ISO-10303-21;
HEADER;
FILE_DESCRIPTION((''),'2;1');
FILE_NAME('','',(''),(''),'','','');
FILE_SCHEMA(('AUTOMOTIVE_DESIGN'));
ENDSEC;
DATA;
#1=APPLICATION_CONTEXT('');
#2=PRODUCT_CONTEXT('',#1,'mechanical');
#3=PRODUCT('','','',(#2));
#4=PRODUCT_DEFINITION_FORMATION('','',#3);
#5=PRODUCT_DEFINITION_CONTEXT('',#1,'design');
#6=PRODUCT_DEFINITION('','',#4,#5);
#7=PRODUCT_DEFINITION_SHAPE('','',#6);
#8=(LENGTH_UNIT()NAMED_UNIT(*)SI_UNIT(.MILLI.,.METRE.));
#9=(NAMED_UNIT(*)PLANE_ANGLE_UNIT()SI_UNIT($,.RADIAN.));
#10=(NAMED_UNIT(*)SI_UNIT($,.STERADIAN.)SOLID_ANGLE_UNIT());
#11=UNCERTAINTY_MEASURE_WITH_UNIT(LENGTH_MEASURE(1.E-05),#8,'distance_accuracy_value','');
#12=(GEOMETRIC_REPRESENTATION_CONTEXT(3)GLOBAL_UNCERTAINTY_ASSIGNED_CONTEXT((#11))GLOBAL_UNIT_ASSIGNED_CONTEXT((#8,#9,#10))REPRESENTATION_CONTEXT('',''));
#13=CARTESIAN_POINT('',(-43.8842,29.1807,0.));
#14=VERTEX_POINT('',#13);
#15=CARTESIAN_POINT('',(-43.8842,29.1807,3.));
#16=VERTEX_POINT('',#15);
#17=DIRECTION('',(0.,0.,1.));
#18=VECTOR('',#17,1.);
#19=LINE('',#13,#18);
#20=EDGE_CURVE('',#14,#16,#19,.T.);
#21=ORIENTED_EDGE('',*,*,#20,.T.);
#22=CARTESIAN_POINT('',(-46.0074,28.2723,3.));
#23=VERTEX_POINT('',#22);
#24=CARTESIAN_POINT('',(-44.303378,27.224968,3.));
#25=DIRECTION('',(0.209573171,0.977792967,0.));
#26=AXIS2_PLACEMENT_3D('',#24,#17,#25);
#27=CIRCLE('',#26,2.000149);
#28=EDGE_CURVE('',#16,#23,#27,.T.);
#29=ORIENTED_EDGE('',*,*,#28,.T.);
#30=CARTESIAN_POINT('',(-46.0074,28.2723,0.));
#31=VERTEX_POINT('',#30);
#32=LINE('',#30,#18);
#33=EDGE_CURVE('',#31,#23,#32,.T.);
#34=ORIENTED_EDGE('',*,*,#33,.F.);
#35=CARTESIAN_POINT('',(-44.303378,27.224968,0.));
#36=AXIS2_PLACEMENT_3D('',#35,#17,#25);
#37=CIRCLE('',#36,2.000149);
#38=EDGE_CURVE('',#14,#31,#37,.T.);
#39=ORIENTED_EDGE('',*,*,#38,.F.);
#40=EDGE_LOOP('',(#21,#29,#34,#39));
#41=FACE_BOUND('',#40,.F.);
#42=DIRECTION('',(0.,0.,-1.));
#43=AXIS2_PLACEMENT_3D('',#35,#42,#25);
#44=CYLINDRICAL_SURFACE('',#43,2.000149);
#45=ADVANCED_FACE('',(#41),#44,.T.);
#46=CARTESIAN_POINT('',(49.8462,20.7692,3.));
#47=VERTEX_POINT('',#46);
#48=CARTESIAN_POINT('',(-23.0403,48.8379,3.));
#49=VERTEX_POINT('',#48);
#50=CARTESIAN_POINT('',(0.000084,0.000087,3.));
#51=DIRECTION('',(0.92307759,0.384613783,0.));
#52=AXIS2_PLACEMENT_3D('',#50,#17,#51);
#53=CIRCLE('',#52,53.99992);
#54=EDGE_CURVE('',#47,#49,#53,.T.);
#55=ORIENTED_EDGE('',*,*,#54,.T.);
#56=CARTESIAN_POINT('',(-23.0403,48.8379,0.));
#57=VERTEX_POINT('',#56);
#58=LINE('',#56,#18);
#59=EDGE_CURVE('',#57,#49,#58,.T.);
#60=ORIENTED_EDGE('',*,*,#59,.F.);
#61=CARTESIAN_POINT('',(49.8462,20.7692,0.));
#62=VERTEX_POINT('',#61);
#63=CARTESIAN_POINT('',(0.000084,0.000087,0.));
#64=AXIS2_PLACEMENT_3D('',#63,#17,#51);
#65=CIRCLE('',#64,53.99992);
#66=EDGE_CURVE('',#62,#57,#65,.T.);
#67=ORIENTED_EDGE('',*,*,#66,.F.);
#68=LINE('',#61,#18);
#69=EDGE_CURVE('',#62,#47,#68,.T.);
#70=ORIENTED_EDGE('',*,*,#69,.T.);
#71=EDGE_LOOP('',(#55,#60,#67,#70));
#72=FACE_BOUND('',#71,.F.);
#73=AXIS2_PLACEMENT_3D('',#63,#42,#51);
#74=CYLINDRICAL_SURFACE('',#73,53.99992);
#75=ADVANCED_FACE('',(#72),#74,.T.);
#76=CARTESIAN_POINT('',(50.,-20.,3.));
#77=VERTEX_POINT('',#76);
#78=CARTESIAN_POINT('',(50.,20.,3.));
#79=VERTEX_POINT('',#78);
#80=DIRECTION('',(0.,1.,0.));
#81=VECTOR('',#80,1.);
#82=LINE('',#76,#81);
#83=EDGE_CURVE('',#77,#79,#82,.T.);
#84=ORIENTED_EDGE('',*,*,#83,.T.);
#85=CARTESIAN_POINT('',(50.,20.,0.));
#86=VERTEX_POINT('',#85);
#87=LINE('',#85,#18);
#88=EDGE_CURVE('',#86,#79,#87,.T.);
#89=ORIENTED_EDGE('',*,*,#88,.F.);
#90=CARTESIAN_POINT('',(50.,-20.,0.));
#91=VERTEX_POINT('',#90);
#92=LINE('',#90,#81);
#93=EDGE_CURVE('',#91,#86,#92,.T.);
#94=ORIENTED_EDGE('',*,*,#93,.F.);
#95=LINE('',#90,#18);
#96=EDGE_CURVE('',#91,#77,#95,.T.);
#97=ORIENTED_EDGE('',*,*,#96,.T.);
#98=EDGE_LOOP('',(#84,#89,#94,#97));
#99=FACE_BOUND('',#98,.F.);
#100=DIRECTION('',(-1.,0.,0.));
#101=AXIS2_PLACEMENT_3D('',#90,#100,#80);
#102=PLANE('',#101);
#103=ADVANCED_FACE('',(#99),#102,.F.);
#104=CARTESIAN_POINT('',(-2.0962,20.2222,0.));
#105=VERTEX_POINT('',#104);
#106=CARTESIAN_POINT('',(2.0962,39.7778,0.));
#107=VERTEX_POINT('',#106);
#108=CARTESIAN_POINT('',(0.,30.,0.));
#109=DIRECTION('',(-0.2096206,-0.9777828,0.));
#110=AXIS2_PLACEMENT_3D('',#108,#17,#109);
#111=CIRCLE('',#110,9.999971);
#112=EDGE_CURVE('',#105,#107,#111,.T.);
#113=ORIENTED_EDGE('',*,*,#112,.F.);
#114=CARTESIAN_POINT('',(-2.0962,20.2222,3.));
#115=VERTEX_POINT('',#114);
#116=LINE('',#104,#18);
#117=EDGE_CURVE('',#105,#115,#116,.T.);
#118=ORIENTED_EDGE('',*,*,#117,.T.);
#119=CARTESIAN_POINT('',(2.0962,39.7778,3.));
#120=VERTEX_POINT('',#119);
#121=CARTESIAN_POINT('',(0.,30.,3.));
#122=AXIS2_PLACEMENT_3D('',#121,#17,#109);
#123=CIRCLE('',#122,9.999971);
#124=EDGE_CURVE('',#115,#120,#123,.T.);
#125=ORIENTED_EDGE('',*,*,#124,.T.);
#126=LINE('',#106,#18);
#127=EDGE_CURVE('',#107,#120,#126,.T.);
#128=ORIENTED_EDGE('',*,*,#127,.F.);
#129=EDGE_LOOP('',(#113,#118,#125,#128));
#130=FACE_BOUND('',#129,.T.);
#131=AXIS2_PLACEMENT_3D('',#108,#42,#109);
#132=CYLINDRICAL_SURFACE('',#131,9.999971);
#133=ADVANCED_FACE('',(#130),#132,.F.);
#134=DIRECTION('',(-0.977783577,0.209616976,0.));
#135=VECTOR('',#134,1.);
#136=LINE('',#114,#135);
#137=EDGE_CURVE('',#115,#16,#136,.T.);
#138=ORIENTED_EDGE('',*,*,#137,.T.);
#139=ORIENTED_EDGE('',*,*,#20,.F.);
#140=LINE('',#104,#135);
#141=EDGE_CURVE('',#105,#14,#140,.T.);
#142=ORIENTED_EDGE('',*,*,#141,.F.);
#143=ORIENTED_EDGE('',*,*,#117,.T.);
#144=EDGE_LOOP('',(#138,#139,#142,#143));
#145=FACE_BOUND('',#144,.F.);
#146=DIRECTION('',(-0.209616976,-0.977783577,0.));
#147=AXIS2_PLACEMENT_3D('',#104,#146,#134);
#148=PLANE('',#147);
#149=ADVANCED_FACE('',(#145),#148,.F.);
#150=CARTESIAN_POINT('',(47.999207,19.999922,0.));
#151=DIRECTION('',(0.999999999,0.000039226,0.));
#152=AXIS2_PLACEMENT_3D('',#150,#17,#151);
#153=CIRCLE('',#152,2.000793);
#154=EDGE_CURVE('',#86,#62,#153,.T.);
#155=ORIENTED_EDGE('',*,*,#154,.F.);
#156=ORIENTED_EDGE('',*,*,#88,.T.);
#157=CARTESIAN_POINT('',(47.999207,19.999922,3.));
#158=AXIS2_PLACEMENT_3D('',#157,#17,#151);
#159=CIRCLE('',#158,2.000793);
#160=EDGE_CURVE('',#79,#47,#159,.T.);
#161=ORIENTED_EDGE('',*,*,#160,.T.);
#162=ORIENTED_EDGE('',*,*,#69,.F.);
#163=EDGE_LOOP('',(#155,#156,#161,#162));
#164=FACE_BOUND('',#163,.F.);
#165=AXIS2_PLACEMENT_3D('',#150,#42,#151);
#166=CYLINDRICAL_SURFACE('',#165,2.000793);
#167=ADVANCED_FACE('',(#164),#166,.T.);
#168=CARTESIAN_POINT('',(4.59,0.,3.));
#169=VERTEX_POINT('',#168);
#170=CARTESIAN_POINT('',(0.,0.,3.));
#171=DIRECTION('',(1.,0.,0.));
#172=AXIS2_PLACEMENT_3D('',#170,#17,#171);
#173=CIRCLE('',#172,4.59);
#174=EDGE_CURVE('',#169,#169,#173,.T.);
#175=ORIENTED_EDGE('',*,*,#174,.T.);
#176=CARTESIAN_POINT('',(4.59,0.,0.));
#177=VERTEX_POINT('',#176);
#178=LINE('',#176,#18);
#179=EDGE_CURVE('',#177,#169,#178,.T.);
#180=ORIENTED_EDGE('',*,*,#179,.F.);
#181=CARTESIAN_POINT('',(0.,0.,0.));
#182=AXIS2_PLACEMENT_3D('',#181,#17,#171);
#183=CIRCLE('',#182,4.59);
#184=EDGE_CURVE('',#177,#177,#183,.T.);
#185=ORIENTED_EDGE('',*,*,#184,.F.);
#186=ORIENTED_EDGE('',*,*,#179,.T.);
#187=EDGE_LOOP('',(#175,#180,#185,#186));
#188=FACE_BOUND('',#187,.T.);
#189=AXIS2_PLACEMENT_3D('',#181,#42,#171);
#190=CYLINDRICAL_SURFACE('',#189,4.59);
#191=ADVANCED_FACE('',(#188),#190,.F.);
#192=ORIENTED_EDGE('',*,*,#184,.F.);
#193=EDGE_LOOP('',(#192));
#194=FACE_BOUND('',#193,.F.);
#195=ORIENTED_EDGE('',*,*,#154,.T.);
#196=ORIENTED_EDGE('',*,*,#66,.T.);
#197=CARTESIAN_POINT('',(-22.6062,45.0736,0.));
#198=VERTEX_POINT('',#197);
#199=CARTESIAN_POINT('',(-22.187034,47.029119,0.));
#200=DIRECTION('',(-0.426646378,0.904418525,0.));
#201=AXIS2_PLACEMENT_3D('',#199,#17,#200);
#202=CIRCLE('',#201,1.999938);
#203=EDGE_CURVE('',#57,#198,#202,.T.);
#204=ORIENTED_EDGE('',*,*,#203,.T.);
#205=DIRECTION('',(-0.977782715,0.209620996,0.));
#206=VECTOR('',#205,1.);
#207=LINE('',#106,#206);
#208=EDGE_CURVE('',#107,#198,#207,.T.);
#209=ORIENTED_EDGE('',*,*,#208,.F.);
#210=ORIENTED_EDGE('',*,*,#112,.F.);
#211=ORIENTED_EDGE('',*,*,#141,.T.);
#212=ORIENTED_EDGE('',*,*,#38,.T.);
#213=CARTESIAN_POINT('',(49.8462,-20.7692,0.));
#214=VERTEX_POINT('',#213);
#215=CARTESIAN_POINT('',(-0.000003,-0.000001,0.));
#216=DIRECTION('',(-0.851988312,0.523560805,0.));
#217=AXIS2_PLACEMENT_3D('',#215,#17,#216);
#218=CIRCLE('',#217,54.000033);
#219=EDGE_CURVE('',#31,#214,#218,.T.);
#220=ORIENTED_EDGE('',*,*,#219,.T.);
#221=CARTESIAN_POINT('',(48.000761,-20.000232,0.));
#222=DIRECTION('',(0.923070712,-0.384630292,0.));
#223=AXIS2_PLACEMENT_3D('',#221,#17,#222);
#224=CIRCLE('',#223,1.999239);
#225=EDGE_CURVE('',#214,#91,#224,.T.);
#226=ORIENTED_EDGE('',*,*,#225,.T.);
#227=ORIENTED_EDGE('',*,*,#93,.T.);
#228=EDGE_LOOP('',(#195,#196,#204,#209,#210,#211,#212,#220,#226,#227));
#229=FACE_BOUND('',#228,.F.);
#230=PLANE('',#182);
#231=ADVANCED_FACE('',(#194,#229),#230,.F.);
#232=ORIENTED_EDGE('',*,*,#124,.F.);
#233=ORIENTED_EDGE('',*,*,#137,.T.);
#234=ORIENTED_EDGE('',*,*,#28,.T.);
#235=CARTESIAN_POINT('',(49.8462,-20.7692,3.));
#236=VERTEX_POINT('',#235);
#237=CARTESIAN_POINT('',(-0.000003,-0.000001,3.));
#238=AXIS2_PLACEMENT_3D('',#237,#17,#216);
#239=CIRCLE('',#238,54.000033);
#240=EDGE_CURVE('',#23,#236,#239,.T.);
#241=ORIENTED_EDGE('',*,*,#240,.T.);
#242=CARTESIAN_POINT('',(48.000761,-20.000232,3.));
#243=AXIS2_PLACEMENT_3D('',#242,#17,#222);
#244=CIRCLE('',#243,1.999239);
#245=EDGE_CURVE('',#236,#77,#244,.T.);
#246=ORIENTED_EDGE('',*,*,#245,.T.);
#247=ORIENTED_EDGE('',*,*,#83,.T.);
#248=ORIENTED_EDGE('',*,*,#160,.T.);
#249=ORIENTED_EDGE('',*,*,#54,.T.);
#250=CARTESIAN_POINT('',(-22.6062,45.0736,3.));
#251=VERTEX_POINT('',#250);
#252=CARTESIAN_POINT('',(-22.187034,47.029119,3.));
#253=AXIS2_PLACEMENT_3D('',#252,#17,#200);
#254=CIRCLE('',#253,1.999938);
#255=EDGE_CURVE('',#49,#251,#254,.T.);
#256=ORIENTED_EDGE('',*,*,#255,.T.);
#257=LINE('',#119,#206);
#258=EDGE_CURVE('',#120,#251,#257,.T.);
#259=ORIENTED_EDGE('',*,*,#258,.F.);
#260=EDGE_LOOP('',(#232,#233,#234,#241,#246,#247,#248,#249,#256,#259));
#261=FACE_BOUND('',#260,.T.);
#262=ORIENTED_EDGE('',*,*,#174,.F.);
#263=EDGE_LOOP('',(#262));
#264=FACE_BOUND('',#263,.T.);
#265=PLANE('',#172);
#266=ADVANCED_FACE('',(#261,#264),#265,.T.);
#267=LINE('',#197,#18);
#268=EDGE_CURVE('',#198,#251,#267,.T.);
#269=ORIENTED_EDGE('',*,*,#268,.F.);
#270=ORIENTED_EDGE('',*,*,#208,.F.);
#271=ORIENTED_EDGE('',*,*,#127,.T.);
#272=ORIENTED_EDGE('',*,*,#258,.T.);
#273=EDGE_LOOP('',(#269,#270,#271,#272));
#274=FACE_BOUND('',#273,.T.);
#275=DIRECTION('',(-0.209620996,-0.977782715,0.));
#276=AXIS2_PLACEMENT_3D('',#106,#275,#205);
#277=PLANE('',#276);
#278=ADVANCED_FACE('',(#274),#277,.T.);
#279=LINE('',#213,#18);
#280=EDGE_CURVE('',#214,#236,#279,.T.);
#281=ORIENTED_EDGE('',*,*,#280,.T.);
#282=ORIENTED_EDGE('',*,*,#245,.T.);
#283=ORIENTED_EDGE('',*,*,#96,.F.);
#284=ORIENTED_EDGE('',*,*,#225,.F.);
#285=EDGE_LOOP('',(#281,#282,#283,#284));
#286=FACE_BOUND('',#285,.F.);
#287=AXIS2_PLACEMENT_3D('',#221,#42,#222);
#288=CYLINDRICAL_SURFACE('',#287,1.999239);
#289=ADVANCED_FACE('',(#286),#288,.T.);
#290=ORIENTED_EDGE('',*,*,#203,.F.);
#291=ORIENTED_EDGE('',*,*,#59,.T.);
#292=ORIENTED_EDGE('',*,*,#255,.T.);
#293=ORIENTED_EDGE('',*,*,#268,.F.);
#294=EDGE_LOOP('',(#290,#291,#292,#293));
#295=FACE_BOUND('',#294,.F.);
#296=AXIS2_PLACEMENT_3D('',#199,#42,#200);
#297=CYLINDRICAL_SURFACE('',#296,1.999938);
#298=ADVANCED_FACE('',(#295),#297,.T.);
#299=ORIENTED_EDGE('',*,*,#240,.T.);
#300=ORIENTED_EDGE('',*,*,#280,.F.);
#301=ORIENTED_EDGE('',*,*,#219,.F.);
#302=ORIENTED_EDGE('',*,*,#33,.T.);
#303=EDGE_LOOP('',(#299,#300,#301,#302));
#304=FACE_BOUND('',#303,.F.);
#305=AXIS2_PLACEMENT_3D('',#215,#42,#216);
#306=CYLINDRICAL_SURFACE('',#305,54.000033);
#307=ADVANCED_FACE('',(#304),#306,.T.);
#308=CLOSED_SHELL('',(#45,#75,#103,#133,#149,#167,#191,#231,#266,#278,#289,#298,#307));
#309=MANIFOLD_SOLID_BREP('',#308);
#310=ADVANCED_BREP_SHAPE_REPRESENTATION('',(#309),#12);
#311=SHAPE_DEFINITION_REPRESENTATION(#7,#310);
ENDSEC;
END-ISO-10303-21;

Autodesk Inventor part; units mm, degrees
ref_plane "YZ Plane" through (0, 0, 0) normal (1, 0, 0) x (0, 1, 0)
ref_plane "XZ Plane" through (0, 0, 0) normal (0, 1, 0) x (-1, 0, 0)
ref_plane "XY Plane" through (0, 0, 0) normal (0, 0, 1) x (1, 0, 0)
sketch "Sketch1" plane through (0, 0, 0) normal (0, 0, 1) x (1, 0, 0)
  circle A0 centre (0, 0) radius 4.59
  arc A1 (-2.0962, 20.2222) -> (2.0962, 39.7778) centre (0, 30) ccw
  line L0 (2.0962, 39.7778) -> (-22.6062, 45.0736)
  line L1 (-2.0962, 20.2222) -> (-43.8842, 29.1807)
  line L2 (50, -20) -> (50, 20)
  arc A2 (-46.0074, 28.2723) -> (49.8462, -20.7692) centre (0, 0) ccw
  arc A3 (49.8462, 20.7692) -> (-23.0403, 48.8379) centre (0, 0) ccw
  arc A4 (-43.8842, 29.1807) -> (-46.0074, 28.2723) centre (-44.3034, 27.2252) ccw
  arc A5 (-23.0403, 48.8379) -> (-22.6062, 45.0736) centre (-22.187, 47.0291) ccw
  arc A6 (50, 20) -> (49.8462, 20.7692) centre (48, 20) ccw
  arc A7 (49.8462, -20.7692) -> (50, -20) centre (48, -20) ccw
  point P0 (-27.9313, 46.2152)
  point P1 (-45.2476, 29.473)
  point P2 (50, -20.3961)
  point P3 (50, 20.3961)
  dimension "d1" = 9.18
  dimension "d4" = 20
  dimension "d5" = 30
  dimension "d12" = 50
  dimension "d13" = 2
  dimension "d14" = 54
  dimension "d15" = 54
  dimension "d16" = 20
  dimension "d19" = 77.9
  dimension "d20" = 50
extrude "Extrusion3" add sketch "Sketch1" along normal blind 3
properties part number "OpenROV 2_3_2 Dev EndCap 108"
